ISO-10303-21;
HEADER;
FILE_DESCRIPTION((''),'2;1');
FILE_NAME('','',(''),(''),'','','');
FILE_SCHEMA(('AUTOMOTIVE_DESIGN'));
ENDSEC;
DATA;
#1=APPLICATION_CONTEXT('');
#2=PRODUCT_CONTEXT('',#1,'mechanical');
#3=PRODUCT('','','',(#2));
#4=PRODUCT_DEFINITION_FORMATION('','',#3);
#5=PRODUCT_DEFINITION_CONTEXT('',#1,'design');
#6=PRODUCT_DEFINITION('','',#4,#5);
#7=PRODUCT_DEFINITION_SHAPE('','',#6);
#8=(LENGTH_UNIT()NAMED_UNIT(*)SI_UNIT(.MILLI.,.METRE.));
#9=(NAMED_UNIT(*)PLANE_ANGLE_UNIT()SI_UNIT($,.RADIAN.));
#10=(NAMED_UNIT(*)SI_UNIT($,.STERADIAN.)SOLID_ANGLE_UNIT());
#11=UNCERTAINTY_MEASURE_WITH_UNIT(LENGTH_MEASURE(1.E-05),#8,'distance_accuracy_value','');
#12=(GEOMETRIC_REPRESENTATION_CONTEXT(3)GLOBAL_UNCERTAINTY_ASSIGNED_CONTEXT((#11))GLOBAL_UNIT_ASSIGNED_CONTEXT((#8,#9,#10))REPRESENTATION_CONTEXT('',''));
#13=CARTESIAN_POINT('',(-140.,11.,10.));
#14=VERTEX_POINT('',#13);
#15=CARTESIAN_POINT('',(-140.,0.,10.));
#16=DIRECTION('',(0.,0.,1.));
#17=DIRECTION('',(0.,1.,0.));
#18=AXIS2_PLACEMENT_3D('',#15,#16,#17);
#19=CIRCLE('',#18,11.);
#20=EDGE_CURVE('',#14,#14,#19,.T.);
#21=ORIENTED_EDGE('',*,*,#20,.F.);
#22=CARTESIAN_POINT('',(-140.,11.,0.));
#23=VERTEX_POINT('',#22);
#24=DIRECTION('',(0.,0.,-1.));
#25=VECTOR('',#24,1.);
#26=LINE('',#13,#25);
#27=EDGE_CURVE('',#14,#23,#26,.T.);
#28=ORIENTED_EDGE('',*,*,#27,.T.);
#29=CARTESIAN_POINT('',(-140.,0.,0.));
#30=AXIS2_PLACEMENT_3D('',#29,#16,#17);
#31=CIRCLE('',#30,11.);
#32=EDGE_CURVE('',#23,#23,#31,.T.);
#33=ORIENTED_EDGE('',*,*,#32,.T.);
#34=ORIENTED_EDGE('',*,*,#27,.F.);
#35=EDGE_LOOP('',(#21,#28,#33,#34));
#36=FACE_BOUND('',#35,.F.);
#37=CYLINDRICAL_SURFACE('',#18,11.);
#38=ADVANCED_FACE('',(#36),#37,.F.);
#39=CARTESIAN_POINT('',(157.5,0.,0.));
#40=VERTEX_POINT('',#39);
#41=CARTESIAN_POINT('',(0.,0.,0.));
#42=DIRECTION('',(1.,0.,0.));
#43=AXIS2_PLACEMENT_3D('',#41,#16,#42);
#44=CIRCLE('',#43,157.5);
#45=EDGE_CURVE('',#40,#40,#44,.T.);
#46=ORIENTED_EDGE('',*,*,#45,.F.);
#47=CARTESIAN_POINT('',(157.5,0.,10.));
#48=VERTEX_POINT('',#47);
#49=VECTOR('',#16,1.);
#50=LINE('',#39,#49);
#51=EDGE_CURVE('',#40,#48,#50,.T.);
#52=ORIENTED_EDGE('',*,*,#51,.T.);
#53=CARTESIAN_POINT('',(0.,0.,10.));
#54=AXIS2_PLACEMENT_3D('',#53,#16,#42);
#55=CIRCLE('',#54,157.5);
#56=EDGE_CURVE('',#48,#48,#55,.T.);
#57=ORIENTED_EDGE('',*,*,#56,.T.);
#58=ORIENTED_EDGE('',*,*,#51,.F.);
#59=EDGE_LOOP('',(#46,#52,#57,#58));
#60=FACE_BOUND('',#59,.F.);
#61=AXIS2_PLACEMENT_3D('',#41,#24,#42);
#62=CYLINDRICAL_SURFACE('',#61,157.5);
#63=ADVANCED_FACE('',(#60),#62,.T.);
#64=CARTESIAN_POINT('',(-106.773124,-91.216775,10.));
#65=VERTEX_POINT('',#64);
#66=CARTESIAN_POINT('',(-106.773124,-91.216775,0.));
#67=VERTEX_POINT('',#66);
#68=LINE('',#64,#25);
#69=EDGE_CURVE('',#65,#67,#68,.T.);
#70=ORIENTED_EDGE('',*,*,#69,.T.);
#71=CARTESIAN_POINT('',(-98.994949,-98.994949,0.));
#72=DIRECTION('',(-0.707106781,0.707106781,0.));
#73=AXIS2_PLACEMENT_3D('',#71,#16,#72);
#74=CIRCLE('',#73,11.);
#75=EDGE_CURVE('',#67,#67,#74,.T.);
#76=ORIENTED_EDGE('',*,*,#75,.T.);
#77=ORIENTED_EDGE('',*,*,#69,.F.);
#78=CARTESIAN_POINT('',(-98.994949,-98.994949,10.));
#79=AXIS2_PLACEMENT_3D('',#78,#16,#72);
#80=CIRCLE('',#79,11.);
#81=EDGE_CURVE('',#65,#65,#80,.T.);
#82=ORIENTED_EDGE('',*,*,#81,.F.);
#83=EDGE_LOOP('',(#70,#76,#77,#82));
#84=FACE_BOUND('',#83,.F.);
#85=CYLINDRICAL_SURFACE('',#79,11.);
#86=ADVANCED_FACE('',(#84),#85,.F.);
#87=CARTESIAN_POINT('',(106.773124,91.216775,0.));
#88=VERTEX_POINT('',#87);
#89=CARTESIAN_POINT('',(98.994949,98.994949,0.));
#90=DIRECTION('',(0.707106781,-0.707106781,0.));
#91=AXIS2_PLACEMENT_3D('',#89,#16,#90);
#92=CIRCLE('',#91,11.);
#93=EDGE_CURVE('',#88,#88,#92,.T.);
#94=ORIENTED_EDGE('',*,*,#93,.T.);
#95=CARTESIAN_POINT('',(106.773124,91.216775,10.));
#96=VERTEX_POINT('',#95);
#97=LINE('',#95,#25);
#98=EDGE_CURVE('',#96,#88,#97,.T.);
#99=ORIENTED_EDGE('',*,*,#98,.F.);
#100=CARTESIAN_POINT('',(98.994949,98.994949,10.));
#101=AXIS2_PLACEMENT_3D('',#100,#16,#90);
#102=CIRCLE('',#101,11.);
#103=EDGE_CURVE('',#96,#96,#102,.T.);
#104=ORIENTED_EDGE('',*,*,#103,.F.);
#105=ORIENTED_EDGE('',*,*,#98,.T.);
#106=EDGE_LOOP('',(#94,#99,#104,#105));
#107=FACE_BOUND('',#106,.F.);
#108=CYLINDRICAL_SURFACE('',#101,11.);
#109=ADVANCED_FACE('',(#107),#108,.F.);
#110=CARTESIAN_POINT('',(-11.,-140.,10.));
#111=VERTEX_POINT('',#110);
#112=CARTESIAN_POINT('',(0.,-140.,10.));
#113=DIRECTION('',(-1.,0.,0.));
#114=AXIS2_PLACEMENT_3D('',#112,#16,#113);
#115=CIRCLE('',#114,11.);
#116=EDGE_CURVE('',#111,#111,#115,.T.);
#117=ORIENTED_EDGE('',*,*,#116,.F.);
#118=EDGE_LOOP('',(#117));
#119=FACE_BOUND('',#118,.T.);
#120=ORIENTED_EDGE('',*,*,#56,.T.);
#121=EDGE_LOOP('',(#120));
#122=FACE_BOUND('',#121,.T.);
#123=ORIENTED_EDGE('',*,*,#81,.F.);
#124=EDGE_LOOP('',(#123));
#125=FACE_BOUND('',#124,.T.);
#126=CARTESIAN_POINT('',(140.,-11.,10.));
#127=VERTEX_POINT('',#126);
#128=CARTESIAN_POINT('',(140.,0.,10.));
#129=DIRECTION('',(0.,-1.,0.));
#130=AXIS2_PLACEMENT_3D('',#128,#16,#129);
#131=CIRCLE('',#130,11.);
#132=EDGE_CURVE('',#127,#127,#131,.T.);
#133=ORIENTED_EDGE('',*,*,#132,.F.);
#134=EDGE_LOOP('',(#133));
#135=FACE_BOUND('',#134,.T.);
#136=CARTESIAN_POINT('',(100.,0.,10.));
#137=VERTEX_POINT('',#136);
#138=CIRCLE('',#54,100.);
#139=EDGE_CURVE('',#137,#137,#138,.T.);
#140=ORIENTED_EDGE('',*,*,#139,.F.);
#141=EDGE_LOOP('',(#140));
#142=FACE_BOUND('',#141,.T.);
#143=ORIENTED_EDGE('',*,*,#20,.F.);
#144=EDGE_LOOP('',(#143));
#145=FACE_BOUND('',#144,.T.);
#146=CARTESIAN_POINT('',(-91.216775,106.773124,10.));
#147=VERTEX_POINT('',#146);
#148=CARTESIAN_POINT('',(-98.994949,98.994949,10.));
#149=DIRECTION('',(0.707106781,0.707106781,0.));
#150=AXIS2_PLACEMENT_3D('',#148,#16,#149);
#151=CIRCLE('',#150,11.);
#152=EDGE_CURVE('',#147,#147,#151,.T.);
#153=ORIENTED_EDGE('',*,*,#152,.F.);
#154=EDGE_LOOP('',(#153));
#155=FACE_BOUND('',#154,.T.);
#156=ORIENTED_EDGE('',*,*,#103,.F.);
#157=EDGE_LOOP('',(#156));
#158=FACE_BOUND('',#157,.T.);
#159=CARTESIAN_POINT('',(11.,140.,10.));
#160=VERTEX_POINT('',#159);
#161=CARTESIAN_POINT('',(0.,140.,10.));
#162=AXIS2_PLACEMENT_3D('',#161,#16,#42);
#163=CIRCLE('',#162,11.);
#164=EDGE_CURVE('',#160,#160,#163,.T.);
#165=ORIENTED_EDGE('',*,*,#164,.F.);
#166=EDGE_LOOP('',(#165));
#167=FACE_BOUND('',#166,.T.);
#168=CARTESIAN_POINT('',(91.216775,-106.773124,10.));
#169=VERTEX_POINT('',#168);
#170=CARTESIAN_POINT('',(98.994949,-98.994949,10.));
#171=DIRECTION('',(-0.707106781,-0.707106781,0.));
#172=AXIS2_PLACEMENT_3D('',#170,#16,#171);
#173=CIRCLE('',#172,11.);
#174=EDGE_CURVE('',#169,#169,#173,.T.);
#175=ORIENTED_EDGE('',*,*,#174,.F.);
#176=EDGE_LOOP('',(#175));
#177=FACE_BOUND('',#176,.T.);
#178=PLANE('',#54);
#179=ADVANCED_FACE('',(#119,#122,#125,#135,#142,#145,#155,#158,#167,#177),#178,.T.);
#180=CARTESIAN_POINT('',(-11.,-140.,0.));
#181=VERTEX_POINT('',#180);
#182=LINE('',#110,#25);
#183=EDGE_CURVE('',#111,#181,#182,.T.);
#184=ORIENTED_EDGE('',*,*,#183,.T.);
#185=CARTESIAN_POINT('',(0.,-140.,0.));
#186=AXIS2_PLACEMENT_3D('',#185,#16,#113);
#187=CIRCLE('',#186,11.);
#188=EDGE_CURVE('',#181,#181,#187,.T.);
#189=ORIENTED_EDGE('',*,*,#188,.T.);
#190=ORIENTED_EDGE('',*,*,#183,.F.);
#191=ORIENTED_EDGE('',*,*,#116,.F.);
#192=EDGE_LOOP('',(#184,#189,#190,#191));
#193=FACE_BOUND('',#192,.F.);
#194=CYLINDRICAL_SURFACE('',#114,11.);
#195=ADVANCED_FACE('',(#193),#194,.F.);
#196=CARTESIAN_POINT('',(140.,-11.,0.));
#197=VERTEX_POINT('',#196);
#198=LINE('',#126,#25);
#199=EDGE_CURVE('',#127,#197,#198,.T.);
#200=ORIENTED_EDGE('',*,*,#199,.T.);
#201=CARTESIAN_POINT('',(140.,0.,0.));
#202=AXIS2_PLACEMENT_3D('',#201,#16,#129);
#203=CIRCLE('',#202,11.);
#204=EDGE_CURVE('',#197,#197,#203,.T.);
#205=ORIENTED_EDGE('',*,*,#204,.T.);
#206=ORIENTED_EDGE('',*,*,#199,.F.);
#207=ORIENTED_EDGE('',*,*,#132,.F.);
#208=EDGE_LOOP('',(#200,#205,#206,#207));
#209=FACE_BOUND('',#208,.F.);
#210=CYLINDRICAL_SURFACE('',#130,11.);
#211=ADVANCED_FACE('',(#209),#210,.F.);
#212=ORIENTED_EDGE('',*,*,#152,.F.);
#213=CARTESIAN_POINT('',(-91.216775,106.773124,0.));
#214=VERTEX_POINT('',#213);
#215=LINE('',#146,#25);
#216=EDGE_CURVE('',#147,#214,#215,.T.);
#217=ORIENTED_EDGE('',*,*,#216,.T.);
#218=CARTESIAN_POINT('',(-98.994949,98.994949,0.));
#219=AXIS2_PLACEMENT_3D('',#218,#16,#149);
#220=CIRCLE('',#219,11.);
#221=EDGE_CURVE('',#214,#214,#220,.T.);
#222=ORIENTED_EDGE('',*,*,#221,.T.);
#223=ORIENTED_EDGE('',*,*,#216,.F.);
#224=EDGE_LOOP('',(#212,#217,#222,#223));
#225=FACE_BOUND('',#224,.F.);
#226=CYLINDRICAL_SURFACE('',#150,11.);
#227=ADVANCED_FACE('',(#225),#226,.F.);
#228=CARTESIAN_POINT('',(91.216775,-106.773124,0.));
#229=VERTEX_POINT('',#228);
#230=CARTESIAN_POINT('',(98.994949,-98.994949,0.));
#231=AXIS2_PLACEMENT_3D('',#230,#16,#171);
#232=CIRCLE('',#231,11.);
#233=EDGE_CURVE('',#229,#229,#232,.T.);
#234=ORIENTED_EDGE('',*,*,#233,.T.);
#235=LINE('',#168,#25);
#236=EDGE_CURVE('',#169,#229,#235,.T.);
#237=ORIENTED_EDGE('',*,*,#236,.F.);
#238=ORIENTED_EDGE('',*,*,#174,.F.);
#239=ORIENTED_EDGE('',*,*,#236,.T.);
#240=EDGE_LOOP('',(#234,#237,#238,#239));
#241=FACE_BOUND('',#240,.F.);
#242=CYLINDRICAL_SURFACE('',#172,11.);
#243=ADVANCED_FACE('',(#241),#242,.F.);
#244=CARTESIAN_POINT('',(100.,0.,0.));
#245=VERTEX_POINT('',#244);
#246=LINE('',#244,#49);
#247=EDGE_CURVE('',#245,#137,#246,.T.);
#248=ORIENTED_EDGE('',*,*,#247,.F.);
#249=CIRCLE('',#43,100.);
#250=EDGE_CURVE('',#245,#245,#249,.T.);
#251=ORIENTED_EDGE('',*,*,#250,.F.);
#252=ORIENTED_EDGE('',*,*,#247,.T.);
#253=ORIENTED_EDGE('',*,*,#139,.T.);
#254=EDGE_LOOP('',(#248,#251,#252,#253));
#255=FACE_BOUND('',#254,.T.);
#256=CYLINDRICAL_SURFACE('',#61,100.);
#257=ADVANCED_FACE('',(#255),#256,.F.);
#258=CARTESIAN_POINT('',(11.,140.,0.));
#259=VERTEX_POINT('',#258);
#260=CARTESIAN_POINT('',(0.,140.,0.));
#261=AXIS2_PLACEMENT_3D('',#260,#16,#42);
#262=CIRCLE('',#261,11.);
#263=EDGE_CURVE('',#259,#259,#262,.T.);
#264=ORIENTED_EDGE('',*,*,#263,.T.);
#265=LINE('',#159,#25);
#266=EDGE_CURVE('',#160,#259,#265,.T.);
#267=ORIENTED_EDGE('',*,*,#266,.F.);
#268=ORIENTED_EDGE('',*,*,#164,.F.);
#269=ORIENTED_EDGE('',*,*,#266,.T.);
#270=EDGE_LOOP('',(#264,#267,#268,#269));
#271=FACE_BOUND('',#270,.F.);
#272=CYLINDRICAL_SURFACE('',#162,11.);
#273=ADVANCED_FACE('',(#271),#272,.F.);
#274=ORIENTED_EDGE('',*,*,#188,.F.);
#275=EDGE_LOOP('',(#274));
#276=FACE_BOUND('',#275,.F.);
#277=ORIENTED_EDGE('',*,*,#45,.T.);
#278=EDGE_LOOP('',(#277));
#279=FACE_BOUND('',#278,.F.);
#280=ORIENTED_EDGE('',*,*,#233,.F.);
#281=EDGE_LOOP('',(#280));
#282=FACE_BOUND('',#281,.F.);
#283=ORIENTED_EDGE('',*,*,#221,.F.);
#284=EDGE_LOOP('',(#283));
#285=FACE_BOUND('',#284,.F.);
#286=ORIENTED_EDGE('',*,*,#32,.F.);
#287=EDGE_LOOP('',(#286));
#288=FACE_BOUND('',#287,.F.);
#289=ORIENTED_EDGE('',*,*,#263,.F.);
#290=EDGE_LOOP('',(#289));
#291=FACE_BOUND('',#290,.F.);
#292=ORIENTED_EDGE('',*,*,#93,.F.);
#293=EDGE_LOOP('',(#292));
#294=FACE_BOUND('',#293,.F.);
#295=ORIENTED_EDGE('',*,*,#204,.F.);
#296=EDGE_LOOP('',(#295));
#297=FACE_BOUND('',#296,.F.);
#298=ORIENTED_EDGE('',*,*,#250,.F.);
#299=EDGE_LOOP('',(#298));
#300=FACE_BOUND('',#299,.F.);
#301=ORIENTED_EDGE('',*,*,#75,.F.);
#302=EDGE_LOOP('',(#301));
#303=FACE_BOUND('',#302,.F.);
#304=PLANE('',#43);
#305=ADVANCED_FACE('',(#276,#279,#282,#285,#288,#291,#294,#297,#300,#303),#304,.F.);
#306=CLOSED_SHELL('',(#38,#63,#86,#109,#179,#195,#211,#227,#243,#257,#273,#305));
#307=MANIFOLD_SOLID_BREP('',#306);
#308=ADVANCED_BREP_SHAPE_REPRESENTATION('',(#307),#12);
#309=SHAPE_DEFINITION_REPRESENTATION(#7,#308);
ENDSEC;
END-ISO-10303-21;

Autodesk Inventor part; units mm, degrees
ref_plane "YZ Plane" through (0, 0, 0) normal (1, 0, 0) x (0, 1, 0)
ref_plane "XZ Plane" through (0, 0, 0) normal (0, 1, 0) x (-1, 0, 0)
ref_plane "XY Plane" through (0, 0, 0) normal (0, 0, 1) x (1, 0, 0)
sketch "Sketch1" plane through (0, 0, 0) normal (0, 0, 1) x (1, 0, 0)
  circle A0 centre (0, 0) radius 100
  circle A1 centre (0, 0) radius 157.5
  dimension "d22" = 200
  dimension "d23" = 315
extrude "Plate1" add sketch "Sketch1" along normal blind 10
sketch "Sketch5" plane through (0, 0, 10) normal (0, 0, 1) x (1, 0, 0)
  circle A0 centre (0, 140) radius 11
  circle A1 centre (0, 0) radius 140 construction
  dimension "d25" = 280
  dimension "d24" = 22
extrude "Cut1" cut sketch "Sketch5" against normal blind 10
pattern_circular "Circular Pattern1" count 8 over 360 about axis through (0, 0, 0) along (0, 0, 1) of "Cut1"
equation "\"d26\" = Thickness"
equation "\"d2\" = Thickness"
equation "\"BendReliefDepth\" = 0.5 * Thickness"
equation "\"TransitionRadius\" = BendRadius"
equation "\"JacobiRadiusSize\" = BendRadius"
equation "\"Thickness\" = 10"
equation "\"BendRadius\" = 5"
properties part number "Main filter Flange" material "Stainless Steel"
